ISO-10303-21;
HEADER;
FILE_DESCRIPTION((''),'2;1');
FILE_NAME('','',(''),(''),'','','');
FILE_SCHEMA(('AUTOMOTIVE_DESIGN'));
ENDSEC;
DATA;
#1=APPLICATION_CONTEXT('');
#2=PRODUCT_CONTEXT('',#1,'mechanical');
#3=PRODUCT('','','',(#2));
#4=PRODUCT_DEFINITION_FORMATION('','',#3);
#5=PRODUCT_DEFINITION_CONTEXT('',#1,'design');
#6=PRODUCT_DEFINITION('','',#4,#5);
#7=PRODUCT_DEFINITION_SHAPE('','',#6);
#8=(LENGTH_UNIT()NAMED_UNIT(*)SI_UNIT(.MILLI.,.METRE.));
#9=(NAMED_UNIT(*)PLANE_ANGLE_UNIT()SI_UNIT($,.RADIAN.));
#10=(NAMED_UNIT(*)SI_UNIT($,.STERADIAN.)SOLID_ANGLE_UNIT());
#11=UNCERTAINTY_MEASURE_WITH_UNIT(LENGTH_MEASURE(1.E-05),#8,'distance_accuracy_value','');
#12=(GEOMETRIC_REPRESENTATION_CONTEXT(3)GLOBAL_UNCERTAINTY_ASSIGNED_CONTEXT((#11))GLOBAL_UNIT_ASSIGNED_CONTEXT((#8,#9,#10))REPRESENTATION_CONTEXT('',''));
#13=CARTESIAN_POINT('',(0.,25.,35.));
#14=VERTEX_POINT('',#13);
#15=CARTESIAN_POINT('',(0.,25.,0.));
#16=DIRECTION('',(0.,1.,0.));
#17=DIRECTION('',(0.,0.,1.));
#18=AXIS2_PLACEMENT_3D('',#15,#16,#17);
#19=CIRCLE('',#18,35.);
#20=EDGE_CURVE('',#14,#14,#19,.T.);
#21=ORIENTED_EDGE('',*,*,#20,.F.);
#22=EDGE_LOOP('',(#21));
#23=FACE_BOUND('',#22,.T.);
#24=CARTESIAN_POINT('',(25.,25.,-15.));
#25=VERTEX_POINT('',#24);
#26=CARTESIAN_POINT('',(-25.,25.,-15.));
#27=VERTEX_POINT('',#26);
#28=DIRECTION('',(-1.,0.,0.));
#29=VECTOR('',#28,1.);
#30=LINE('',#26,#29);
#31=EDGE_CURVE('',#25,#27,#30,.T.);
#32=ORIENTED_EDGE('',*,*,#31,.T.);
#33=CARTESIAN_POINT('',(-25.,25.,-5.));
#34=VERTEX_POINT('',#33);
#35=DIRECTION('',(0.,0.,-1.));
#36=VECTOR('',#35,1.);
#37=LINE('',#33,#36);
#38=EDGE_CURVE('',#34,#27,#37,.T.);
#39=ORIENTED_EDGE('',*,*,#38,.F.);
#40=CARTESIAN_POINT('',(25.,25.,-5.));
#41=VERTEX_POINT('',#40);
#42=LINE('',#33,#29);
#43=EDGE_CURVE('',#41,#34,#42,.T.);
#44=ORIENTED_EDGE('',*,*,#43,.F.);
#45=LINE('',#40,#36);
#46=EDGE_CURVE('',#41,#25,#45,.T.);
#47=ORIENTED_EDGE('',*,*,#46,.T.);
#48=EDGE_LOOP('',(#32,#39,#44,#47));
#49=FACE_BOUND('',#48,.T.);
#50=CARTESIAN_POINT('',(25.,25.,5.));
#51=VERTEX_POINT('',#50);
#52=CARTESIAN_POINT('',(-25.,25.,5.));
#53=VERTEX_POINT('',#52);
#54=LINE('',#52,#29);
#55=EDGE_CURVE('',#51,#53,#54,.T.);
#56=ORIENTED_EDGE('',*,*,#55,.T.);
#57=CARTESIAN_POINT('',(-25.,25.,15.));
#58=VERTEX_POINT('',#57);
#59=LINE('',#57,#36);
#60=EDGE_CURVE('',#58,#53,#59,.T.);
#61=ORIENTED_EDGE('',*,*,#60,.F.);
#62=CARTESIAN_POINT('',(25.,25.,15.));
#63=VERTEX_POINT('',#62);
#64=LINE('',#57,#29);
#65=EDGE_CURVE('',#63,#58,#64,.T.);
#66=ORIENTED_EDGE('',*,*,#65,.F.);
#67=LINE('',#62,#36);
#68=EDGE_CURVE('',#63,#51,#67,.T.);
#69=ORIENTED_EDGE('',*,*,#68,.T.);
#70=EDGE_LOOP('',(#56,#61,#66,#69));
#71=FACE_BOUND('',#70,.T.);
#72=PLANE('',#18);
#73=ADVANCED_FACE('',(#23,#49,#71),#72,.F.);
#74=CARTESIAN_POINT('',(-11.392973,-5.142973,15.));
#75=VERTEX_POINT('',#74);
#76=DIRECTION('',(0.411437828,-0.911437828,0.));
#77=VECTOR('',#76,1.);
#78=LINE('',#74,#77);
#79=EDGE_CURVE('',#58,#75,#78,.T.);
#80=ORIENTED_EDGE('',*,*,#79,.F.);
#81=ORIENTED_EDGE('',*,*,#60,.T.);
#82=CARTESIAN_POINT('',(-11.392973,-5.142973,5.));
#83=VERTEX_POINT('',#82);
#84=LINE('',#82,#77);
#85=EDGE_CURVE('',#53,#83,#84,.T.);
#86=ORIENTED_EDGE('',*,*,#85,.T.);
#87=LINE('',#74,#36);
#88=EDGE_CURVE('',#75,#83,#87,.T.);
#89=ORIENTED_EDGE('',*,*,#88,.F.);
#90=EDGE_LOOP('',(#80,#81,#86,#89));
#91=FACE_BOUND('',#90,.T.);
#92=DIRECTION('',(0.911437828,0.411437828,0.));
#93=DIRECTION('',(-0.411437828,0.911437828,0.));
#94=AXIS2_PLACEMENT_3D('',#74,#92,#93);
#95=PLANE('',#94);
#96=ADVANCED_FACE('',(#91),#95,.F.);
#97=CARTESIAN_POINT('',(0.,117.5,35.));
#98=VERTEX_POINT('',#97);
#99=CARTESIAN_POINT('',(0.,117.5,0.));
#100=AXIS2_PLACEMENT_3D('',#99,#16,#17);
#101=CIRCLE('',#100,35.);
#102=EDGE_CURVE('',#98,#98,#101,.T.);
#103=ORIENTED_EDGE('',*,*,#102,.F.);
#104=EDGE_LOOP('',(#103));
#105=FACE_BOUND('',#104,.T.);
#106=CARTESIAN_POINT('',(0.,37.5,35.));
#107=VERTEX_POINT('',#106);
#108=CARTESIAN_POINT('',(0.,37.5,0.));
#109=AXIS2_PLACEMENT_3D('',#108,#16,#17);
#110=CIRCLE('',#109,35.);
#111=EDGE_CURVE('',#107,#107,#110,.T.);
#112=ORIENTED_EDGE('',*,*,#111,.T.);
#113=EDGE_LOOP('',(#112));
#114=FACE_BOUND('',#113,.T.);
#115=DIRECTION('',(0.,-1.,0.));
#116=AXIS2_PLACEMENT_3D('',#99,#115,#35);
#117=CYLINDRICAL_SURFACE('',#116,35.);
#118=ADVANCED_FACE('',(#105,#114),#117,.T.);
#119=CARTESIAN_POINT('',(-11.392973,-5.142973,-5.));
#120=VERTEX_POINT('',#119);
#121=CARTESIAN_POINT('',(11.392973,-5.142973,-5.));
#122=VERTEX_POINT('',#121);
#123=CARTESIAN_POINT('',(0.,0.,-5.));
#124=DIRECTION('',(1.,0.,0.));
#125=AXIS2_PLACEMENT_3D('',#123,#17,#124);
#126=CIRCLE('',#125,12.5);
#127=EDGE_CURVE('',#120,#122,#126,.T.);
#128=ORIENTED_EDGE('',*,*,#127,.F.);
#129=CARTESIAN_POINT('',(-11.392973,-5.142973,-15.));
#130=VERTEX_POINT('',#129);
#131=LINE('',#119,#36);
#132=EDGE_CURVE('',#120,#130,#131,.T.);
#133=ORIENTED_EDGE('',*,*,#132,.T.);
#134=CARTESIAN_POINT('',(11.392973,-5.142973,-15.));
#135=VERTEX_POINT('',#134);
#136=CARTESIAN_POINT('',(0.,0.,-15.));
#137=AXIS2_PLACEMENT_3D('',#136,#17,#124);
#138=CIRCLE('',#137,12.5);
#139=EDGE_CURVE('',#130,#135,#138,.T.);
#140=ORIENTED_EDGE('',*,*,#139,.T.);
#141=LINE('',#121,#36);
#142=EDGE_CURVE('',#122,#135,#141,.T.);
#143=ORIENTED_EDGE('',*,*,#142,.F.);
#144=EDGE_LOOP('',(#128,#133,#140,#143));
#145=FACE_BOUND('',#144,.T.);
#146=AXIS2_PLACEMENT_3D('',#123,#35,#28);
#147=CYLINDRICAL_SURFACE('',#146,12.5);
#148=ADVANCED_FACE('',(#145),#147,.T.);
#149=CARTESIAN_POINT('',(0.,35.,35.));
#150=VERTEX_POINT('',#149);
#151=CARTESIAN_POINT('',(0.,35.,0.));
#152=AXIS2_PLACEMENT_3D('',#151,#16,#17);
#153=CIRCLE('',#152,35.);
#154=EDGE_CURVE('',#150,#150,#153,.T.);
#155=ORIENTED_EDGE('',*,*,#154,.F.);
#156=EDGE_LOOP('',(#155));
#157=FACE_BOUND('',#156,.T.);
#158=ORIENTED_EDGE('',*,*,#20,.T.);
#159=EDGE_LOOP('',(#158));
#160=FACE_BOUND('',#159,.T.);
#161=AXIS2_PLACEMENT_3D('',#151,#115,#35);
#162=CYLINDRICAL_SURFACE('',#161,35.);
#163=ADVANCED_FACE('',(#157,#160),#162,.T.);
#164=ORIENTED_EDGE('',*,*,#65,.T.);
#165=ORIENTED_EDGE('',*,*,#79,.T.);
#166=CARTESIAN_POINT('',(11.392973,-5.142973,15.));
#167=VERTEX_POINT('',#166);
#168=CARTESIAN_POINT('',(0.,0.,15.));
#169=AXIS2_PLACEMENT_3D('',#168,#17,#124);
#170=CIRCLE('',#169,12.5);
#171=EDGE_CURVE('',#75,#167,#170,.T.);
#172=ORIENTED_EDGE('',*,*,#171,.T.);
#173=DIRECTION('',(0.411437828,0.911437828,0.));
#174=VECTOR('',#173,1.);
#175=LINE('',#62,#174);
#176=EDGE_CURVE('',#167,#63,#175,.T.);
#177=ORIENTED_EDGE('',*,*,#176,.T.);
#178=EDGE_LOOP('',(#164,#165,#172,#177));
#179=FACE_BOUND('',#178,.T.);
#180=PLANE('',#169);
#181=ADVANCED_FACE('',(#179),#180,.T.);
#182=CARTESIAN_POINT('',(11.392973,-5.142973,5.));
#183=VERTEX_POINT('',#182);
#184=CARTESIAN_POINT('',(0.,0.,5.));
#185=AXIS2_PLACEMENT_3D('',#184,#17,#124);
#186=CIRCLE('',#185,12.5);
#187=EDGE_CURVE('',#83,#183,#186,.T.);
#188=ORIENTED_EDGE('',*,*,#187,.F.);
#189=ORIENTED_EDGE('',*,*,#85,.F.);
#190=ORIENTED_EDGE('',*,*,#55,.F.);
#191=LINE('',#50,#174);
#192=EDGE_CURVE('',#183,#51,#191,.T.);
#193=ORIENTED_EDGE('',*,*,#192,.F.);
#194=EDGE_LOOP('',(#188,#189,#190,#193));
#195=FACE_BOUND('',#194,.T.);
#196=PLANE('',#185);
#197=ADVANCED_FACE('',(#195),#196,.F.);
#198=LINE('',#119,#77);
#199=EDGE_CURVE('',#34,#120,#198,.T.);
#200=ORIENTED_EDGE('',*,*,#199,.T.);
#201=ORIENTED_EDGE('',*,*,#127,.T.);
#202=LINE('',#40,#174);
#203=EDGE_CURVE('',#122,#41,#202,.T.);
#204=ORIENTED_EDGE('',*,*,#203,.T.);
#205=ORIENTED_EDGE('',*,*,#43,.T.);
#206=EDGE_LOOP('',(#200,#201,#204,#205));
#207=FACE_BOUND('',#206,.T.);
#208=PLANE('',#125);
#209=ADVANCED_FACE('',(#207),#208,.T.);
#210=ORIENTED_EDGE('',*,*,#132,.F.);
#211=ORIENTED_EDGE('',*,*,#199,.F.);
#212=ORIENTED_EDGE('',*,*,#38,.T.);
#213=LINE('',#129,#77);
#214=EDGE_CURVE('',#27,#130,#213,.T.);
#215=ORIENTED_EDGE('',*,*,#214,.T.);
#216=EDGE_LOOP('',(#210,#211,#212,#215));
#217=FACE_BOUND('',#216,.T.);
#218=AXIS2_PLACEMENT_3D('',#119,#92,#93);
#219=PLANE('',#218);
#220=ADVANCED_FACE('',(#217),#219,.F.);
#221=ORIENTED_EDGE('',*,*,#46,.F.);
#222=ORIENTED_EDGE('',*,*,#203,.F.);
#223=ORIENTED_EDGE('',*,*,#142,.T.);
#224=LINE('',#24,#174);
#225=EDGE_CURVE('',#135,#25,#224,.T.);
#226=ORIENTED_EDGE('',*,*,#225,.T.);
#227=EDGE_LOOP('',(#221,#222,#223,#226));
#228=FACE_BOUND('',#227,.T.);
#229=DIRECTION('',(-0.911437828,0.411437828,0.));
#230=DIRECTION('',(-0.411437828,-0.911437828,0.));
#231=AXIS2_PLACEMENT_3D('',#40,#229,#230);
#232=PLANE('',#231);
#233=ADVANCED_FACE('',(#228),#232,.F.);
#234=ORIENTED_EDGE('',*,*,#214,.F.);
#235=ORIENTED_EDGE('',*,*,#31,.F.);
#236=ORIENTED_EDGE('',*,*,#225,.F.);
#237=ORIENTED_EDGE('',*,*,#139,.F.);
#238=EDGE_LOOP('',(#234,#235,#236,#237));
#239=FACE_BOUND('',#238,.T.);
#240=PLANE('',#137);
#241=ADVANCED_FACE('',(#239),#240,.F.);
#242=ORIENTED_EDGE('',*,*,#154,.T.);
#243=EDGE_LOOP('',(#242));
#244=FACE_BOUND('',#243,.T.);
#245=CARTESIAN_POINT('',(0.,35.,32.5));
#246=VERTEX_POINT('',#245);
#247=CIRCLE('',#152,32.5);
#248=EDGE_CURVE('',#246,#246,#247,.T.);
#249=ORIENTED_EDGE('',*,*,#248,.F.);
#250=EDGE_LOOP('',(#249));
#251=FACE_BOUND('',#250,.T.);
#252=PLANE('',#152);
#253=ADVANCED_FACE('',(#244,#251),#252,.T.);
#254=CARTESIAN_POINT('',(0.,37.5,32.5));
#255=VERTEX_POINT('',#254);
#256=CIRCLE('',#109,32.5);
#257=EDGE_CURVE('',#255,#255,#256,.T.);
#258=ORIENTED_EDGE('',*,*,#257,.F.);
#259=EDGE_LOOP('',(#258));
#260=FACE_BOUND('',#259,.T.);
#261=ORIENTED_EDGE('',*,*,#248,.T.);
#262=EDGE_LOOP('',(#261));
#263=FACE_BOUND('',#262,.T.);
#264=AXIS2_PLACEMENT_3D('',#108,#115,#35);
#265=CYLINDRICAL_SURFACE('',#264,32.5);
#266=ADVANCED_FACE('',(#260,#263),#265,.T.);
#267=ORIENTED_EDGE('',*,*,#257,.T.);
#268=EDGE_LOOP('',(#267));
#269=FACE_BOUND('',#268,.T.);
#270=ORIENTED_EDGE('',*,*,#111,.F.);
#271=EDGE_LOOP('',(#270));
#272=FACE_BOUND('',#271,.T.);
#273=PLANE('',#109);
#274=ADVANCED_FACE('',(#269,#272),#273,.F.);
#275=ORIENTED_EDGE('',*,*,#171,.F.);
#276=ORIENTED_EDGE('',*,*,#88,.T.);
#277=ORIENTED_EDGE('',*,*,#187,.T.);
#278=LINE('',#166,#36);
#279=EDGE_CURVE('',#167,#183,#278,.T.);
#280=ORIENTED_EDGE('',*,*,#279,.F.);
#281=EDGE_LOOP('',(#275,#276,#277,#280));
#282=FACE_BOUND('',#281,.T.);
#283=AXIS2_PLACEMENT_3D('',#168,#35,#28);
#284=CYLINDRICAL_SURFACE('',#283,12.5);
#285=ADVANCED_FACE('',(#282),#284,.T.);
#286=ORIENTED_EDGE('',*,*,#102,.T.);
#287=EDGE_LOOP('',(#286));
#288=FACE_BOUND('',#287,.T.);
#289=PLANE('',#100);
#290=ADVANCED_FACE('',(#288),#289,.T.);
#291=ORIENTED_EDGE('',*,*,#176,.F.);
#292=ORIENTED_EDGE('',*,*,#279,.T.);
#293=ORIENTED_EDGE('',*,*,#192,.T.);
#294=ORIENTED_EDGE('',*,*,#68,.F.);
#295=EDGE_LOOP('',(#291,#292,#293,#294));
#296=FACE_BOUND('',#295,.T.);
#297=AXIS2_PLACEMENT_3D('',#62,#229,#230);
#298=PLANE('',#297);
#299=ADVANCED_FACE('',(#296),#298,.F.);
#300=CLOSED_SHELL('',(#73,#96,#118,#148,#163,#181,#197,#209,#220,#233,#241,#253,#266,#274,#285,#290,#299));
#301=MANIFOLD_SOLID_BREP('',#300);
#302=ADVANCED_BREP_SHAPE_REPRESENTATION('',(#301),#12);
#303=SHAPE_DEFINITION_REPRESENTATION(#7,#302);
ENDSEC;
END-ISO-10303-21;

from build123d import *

# Parameters (mm, degrees)
BOSS_EXTRUDE1_START = 5
BOSS_EXTRUDE1_DEPTH = 10
LPATTERN1_COUNT     = 2
LPATTERN1_PITCH     = 20
SKETCH2_R           = 35
SKETCH2_R_2         = 32.5
SKETCH2_W           = 50
SKETCH2_H           = 10
BOSS_EXTRUDE2_DEPTH = 10
BOSS_EXTRUDE3_START = 10
SKETCH2_3_R         = 32.5
BOSS_EXTRUDE3_DEPTH = 2.5
BOSS_EXTRUDE4_START = 12.5
SKETCH2_4_R         = 35
BOSS_EXTRUDE4_DEPTH = 80


with BuildPart() as part:
    # Sketch1 → Boss-Extrude1 (new body)
    with BuildSketch(Plane.XY.offset(BOSS_EXTRUDE1_START)):
        with BuildLine():
            Line((-11.392972847, -5.142972847), (-25, 25))
            Line((-25, 25), (25, 25))
            Line((25, 25), (11.392972847, -5.142972847))
            ThreePointArc((11.392972847, -5.142972847), (0, -12.5), (-11.392972847, -5.142972847))
        make_face()
    extrude(amount=BOSS_EXTRUDE1_DEPTH)


with BuildPart() as lpattern1_1:
    # LPattern1: pattern copy
    add(part.part.moved(Location(Vector(0, 0, -1) * (1 * LPATTERN1_PITCH))))


with BuildPart() as part_1:
    add(part.part)

    add(lpattern1_1.part)  # Boss-Extrude2 merges LPattern1_1
    # Sketch2 → Boss-Extrude2 (add)
    # profile 1 of 3: a face of its own
    with BuildSketch(Plane(origin=(0, 25, 0), x_dir=(1, 0, 0), z_dir=(0, 1, 0))):
        with Locations(Location((0, 0, 0), (0, 0, 270))):
            Circle(SKETCH2_R)
        Circle(SKETCH2_R_2, mode=Mode.SUBTRACT)
    # profile 2 of 3: a face of its own
    with BuildSketch(Plane(origin=(0, 25, 0), x_dir=(1, 0, 0), z_dir=(0, 1, 0))):
        Circle(SKETCH2_R_2)
        with Locations((0, -10)):
            Rectangle(SKETCH2_W, SKETCH2_H, mode=Mode.SUBTRACT)
    # profile 3 of 3: a face of its own
    with BuildSketch(Plane(origin=(0, 25, 0), x_dir=(1, 0, 0), z_dir=(0, 1, 0))):
        with Locations((0, -10)):
            Rectangle(SKETCH2_W, SKETCH2_H)
    extrude(amount=BOSS_EXTRUDE2_DEPTH)

    # Sketch2<3> → Boss-Extrude3 (add)
    with BuildSketch(Plane(origin=(0, 25, 0), x_dir=(1, 0, 0), z_dir=(0, 1, 0)).offset(BOSS_EXTRUDE3_START)):
        with Locations(Location((0, 0, 0), (0, 0, 270))):
            Circle(SKETCH2_3_R)
    extrude(amount=BOSS_EXTRUDE3_DEPTH)

    # Sketch2<4> → Boss-Extrude4 (add)
    with BuildSketch(Plane(origin=(0, 25, 0), x_dir=(1, 0, 0), z_dir=(0, 1, 0)).offset(BOSS_EXTRUDE4_START)):
        with Locations(Location((0, 0, 0), (0, 0, 270))):
            Circle(SKETCH2_4_R)
    extrude(amount=BOSS_EXTRUDE4_DEPTH)


solid = part_1.part
